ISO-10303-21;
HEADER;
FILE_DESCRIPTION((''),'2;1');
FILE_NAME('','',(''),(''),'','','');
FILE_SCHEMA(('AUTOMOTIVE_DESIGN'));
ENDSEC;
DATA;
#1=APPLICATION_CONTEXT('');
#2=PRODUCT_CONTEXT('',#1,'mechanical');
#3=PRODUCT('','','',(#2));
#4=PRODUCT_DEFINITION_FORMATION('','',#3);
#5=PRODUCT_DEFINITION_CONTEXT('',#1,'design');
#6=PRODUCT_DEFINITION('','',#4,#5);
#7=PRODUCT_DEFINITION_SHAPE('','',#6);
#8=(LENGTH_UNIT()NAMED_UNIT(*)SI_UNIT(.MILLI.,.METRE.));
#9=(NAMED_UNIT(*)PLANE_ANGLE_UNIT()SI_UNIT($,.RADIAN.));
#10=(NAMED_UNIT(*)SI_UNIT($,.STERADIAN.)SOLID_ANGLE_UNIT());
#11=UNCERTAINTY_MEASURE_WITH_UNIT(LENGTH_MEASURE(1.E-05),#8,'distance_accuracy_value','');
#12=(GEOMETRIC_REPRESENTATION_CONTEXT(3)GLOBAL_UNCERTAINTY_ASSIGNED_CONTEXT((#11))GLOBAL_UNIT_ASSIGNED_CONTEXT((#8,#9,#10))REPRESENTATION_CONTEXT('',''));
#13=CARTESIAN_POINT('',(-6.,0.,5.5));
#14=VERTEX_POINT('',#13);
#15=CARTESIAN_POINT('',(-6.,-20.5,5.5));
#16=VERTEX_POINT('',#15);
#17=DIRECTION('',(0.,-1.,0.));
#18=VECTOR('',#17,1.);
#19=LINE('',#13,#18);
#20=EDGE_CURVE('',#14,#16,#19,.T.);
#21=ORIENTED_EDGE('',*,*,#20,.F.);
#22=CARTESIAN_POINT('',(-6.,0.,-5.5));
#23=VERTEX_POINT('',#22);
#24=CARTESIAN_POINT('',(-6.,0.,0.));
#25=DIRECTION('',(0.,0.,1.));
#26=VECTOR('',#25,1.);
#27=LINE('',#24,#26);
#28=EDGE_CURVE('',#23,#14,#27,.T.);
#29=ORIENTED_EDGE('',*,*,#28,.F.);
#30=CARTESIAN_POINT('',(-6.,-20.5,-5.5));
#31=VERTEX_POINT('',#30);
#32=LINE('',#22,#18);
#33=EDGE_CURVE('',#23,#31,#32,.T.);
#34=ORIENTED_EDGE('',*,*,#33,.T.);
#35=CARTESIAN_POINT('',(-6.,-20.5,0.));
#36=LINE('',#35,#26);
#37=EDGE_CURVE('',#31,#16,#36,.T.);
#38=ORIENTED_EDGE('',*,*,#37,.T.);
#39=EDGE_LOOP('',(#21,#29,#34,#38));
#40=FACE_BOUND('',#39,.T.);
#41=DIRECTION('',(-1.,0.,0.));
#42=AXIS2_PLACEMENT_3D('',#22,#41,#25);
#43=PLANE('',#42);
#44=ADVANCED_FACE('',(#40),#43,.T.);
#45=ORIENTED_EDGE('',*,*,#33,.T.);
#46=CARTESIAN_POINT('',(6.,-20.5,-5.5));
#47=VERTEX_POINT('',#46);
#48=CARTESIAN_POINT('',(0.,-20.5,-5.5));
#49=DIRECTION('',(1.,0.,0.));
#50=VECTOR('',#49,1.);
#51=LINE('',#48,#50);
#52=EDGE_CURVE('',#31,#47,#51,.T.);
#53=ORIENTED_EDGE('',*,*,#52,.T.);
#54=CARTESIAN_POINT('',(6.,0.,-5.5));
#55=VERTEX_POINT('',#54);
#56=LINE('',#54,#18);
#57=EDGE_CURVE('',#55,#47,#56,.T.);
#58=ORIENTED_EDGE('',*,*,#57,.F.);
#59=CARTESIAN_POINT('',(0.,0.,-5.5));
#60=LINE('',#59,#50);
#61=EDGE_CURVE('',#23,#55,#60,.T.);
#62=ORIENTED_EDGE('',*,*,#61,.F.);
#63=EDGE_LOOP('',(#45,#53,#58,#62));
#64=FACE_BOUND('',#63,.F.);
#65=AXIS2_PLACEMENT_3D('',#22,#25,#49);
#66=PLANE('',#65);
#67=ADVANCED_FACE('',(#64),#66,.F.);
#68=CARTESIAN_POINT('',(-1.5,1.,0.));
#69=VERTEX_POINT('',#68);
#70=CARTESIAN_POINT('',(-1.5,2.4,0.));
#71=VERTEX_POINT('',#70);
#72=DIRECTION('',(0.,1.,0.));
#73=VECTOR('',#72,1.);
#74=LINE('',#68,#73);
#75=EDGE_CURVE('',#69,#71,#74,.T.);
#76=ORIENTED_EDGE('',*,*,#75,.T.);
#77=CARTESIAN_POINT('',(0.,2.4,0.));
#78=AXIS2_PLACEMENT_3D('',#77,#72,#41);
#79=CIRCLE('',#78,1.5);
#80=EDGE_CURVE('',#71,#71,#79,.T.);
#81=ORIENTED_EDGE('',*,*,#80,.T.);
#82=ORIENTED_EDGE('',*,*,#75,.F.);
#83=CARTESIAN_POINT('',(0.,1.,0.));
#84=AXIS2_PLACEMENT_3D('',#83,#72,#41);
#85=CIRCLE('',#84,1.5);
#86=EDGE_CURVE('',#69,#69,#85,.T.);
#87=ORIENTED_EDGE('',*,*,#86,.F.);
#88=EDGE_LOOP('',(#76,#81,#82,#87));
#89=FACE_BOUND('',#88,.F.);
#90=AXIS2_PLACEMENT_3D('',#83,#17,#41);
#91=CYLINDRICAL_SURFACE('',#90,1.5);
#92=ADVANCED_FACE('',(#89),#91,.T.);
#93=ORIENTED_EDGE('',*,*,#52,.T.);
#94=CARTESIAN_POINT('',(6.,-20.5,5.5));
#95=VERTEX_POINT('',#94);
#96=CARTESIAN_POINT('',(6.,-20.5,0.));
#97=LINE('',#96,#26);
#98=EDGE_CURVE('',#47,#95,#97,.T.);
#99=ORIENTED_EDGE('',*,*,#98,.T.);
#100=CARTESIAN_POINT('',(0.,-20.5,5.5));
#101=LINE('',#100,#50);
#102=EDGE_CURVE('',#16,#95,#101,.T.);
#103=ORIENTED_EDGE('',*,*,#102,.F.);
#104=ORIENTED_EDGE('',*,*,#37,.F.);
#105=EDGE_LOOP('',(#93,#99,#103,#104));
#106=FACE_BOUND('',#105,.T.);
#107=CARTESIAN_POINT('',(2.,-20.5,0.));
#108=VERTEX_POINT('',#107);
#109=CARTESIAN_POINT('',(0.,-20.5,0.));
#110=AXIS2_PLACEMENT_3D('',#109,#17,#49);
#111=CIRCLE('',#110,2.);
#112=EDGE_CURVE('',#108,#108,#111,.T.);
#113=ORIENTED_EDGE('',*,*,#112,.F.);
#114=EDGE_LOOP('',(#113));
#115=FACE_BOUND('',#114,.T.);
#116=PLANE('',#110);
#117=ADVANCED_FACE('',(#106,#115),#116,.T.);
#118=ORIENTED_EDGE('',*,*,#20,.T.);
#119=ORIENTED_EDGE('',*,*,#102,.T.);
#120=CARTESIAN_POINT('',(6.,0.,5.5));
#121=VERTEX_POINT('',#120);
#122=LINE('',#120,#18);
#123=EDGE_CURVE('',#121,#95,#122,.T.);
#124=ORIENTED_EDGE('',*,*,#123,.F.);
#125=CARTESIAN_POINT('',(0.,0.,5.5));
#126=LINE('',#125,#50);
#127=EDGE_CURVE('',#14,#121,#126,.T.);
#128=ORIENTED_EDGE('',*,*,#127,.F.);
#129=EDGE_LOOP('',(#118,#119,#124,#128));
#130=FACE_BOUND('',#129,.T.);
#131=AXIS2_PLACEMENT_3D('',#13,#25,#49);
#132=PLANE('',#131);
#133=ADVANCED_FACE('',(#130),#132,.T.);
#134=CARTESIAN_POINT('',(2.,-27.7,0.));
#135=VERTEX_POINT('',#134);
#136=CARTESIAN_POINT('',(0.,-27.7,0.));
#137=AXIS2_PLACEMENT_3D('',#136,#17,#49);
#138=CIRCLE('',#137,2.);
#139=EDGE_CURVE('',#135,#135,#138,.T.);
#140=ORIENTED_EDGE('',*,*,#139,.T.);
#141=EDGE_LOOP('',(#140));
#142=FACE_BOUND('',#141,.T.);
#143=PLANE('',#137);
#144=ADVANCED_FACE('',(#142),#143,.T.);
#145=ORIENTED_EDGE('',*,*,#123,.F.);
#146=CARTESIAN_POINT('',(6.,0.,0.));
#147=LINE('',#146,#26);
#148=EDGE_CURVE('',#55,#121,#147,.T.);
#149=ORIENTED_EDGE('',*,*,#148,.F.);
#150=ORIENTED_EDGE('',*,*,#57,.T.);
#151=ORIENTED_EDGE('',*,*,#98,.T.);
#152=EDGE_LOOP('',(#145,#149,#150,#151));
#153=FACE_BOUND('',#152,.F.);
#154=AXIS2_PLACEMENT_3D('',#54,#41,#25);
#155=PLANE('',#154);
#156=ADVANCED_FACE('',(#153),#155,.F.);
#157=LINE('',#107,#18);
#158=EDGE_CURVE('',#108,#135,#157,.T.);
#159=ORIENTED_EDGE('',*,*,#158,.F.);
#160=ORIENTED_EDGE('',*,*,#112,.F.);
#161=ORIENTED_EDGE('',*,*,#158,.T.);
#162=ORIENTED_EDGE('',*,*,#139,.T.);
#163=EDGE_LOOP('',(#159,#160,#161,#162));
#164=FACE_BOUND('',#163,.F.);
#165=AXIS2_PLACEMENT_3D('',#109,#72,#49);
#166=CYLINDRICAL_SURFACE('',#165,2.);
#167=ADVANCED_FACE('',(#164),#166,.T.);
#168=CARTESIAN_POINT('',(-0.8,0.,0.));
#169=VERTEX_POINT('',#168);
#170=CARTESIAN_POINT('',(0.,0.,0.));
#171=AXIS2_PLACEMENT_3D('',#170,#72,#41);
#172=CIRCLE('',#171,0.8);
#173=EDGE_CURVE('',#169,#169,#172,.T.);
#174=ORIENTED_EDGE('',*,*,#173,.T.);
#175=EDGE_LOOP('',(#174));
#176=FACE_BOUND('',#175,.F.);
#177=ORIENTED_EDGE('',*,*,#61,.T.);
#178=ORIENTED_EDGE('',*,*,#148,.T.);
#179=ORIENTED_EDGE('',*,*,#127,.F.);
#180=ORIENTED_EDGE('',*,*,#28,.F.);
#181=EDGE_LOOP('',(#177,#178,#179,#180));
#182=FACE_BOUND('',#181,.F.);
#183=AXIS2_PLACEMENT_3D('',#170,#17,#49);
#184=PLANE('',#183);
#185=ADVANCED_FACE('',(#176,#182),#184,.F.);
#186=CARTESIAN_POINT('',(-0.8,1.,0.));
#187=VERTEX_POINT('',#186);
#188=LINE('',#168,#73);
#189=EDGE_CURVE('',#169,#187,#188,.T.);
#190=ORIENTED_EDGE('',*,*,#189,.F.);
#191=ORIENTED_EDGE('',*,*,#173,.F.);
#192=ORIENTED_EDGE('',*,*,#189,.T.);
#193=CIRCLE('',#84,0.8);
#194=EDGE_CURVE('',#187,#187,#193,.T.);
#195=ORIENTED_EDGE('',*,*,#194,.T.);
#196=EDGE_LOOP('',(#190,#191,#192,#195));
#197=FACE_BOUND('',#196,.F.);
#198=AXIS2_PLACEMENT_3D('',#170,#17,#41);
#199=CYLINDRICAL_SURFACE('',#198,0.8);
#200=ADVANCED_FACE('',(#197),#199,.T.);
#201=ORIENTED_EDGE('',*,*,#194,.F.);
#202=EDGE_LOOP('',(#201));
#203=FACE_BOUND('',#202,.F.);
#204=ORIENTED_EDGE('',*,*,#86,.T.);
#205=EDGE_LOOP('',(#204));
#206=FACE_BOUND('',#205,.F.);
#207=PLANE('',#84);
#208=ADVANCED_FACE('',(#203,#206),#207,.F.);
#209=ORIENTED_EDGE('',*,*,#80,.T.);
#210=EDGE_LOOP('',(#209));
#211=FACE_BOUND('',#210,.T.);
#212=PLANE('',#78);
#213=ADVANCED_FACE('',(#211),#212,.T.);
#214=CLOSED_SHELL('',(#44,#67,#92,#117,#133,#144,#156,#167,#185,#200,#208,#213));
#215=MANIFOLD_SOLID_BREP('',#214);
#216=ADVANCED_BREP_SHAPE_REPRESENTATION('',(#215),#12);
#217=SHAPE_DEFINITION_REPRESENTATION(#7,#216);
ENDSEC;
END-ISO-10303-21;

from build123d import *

# Parameters (mm, degrees)
F0_W     = 12
F0_H     = 11
F1_DEPTH = 20.5
F2_R     = 2
F3_DEPTH = 7.2
F4_R     = 0.8
F5_DEPTH = 1
F6_R     = 1.5
F6_R_2   = 0.8
F7_DEPTH = 1.4


with BuildPart() as f1:
    # F0 (on Front) → F1 (new body)
    with BuildSketch(Plane.XZ):
        Rectangle(F0_W, F0_H)
    extrude(amount=F1_DEPTH)

    # F2 (on face) → F3 (join)
    with BuildSketch(Plane.XZ.offset(20.5)):
        Circle(F2_R)
    extrude(amount=F3_DEPTH)

    # F4 (on face) → F5 (join)
    with BuildSketch(Plane(origin=(0, 0, 0), x_dir=(-1, 0, 0), z_dir=(0, 1, 0))):
        Circle(F4_R)
    extrude(amount=F5_DEPTH)

    # F6 (on face) → F7 (join)
    with BuildSketch(Plane(origin=(0, 1, 0), x_dir=(-1, 0, 0), z_dir=(0, 1, 0))):
        Circle(F6_R)
        Circle(F6_R_2, mode=Mode.SUBTRACT)
        Circle(F6_R_2)
    extrude(amount=F7_DEPTH)


solid = f1.part
